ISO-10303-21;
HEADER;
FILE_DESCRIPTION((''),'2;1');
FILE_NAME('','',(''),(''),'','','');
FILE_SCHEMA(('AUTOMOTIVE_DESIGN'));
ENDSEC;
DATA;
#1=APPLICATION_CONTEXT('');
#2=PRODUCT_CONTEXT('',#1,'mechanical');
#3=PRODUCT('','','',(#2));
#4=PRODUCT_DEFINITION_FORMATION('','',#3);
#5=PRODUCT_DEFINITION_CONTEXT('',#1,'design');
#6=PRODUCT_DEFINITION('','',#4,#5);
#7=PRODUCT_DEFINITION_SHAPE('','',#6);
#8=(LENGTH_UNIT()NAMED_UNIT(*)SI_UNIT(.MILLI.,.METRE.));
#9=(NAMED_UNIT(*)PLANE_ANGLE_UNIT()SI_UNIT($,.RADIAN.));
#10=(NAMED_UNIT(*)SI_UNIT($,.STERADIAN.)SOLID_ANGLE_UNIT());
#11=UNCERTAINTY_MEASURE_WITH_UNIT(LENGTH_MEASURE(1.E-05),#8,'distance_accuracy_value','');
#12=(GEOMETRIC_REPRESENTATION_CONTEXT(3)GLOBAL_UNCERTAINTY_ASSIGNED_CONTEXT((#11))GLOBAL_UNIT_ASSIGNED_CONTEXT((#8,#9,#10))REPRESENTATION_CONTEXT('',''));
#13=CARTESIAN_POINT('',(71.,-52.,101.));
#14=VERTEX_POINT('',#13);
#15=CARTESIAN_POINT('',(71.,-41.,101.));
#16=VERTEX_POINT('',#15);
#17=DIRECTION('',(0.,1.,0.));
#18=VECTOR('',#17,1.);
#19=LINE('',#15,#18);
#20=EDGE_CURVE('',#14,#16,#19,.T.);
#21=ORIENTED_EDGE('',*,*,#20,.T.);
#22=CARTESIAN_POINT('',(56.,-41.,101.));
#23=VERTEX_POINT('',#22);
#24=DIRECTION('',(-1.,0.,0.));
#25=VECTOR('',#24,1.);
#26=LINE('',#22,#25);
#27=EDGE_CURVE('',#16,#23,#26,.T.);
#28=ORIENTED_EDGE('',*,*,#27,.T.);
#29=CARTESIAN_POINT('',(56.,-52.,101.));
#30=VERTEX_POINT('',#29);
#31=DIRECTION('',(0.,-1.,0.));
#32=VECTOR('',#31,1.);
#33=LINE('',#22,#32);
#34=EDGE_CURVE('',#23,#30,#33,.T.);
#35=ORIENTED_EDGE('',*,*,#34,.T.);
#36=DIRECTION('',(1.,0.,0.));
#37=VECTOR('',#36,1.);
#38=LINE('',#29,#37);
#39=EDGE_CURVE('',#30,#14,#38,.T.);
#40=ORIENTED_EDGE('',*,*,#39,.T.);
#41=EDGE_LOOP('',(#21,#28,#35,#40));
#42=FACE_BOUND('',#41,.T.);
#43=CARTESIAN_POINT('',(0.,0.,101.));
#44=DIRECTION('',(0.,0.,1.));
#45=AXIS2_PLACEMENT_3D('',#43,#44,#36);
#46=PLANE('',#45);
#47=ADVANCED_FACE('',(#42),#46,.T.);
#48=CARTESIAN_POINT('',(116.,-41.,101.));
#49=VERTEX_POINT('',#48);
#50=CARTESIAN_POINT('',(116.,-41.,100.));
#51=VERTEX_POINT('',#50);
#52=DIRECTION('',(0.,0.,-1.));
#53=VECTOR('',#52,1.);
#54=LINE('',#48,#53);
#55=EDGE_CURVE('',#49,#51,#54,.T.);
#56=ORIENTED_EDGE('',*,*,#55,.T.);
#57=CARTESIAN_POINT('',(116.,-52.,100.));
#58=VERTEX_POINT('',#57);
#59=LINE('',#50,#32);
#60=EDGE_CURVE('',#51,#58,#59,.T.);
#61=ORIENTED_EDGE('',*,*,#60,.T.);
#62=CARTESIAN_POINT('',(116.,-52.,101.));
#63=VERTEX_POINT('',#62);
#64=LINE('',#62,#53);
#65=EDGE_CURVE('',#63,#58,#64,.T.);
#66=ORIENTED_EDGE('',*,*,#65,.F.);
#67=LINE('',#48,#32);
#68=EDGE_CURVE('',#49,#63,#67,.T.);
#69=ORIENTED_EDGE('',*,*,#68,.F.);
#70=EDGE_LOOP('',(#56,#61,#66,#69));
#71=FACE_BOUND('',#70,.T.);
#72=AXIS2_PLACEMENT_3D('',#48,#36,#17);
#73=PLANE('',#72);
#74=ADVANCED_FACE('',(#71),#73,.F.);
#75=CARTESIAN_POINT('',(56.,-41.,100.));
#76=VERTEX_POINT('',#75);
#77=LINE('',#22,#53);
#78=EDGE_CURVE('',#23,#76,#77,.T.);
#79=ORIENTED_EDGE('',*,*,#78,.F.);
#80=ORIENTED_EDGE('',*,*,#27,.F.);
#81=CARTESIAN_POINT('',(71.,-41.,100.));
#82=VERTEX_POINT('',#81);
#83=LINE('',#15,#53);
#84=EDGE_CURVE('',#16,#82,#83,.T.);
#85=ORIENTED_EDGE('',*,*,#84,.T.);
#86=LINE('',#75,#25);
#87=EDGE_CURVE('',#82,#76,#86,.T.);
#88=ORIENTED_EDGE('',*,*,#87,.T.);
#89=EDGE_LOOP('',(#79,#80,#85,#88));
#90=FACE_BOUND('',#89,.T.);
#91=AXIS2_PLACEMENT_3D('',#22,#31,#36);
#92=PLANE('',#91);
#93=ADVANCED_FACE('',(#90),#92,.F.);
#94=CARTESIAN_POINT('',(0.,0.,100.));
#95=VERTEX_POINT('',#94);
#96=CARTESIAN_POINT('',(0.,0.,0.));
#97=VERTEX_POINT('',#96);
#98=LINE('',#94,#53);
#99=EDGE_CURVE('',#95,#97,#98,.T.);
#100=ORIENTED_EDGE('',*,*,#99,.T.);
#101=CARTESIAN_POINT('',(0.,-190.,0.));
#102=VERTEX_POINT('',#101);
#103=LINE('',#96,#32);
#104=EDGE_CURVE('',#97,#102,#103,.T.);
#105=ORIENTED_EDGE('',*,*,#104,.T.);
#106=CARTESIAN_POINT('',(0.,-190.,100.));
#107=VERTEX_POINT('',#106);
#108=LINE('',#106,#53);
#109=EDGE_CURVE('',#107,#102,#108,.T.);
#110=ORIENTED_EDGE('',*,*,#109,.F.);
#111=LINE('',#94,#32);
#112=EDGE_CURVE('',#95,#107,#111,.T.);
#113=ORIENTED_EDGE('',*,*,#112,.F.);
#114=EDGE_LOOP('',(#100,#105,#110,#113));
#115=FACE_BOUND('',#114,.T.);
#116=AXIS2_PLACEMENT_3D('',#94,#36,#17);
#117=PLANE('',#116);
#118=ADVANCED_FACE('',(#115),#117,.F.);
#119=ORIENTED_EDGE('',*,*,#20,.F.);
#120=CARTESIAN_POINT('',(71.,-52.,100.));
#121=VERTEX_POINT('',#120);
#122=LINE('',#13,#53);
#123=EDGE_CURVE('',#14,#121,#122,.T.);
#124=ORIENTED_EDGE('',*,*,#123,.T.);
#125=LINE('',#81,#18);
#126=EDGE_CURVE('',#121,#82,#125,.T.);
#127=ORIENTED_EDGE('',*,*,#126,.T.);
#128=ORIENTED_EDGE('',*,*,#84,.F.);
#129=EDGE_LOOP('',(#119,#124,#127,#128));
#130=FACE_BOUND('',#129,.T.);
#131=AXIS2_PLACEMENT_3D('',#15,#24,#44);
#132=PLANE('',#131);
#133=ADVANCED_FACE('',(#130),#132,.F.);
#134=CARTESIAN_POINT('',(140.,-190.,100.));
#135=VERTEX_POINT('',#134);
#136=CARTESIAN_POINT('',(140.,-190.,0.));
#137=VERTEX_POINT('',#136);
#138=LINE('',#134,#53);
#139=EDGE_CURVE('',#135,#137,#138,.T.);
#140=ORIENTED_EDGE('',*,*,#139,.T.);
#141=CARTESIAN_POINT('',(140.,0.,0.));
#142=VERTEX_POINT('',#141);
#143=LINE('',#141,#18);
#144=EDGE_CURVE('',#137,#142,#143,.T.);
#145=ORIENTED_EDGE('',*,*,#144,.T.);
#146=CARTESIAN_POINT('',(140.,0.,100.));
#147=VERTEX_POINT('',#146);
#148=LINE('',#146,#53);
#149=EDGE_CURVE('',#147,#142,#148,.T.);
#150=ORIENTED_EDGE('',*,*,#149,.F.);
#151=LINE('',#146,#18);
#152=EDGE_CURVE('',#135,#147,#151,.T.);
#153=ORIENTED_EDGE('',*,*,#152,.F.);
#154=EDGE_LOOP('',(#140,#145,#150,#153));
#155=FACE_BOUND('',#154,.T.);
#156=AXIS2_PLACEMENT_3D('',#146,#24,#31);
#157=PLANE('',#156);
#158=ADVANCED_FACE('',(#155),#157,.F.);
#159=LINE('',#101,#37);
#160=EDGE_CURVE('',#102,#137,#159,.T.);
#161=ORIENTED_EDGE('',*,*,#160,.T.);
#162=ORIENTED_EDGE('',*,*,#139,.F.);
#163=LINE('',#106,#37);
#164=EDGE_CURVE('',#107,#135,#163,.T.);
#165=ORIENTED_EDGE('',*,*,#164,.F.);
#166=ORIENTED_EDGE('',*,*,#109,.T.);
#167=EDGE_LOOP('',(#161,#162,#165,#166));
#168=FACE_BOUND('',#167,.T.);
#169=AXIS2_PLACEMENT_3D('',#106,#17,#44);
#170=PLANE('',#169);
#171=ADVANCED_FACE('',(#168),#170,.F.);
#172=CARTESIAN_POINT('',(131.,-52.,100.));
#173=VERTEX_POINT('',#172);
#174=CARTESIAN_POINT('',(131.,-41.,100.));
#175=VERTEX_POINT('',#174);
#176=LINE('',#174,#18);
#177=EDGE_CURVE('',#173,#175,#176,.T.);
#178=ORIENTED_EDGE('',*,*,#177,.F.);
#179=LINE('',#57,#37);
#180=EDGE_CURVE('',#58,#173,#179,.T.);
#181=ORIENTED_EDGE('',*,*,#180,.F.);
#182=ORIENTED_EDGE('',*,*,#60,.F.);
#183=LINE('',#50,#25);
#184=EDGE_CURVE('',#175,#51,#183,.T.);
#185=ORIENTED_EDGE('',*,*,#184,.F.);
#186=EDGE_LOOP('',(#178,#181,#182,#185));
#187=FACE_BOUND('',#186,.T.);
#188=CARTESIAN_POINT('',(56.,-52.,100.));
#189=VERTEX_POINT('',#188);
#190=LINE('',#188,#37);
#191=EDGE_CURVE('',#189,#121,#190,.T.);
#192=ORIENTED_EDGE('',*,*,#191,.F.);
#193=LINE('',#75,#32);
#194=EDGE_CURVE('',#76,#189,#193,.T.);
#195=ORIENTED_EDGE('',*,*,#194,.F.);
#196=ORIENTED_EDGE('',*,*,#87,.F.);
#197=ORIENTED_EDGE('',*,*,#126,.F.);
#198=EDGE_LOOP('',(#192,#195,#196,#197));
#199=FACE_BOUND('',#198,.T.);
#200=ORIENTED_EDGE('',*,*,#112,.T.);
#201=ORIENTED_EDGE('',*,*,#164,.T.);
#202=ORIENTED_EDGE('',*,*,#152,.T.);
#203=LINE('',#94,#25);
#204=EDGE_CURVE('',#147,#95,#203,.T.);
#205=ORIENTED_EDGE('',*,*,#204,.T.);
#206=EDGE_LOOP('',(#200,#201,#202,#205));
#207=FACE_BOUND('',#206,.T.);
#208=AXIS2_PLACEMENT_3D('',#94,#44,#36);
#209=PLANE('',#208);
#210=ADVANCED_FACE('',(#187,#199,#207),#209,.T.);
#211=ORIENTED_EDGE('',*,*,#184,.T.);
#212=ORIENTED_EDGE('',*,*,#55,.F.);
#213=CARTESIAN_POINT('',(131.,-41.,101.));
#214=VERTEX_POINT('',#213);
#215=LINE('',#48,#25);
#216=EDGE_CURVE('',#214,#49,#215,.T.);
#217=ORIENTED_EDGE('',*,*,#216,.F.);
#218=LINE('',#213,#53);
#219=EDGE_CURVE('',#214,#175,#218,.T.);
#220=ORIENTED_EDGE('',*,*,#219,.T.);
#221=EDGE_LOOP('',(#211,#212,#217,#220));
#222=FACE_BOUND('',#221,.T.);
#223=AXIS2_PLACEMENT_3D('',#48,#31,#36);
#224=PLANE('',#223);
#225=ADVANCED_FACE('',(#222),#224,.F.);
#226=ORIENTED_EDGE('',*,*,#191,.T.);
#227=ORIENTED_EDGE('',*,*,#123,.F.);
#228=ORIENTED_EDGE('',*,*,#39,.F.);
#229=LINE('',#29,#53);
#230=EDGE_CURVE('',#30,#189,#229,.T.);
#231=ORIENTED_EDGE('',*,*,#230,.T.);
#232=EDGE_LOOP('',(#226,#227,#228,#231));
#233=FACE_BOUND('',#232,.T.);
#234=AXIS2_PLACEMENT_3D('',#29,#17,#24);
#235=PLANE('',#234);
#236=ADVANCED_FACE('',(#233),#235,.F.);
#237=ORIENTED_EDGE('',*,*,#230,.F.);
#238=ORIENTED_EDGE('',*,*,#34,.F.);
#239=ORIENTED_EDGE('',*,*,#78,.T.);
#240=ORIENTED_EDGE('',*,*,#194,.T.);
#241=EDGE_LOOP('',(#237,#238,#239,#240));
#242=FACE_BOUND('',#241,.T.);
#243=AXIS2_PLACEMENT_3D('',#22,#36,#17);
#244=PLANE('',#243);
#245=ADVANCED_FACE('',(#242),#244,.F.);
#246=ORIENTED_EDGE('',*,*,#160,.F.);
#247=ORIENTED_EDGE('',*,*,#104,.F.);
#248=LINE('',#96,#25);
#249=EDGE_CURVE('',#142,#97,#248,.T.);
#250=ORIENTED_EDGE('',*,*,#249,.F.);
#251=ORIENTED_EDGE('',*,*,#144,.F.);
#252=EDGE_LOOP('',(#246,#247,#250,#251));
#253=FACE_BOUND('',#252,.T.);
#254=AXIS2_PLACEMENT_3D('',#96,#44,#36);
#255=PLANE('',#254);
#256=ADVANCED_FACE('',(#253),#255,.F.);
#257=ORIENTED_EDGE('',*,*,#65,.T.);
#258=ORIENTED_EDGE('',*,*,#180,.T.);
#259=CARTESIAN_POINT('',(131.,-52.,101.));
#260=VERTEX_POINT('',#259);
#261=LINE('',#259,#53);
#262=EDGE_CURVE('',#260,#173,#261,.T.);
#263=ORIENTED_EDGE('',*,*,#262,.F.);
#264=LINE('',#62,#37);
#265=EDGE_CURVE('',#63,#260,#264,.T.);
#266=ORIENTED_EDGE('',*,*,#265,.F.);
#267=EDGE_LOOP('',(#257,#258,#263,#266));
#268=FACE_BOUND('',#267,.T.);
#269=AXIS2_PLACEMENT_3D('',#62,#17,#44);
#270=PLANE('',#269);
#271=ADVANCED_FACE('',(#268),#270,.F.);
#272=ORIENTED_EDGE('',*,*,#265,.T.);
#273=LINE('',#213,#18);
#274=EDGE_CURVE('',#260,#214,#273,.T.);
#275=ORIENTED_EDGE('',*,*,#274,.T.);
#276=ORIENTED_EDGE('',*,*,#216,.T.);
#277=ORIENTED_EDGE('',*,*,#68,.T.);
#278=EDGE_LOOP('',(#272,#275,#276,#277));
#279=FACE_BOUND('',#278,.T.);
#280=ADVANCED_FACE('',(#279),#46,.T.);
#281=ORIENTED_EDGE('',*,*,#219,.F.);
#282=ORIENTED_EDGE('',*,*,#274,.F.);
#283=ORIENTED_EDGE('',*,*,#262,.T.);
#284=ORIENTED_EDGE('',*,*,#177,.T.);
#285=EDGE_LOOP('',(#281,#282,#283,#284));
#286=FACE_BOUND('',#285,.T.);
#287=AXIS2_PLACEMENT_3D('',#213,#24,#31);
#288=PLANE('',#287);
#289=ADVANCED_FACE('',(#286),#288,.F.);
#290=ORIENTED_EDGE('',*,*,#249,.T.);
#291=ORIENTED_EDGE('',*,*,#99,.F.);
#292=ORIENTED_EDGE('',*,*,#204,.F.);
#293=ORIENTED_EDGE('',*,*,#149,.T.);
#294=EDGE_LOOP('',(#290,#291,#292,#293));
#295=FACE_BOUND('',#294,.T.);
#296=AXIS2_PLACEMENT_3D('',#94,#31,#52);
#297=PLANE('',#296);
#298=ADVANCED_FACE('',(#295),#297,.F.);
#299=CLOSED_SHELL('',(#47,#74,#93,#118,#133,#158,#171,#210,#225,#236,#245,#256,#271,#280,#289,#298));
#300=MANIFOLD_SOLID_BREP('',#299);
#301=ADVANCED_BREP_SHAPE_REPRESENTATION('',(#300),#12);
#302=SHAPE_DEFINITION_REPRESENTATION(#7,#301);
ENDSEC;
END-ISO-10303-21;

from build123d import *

# Parameters (mm, degrees)
SKETCH1_W           = 140
SKETCH1_H           = 190
BOSS_EXTRUDE1_DEPTH = 100
SKETCH2_W           = 15
SKETCH2_H           = 11
BOSS_EXTRUDE2_DEPTH = 1


with BuildPart() as part:
    # Sketch1 → Boss-Extrude1 (new body)
    with BuildSketch(Plane.XY):
        with Locations((70, -95)):
            Rectangle(SKETCH1_W, SKETCH1_H)
    extrude(amount=BOSS_EXTRUDE1_DEPTH)

    # Sketch2 → Boss-Extrude2 (add)
    with BuildSketch(Plane.XY.offset(100)):
        with Locations((123.5, -46.5)):
            Rectangle(SKETCH2_W, SKETCH2_H)
        with Locations((63.5, -46.5)):
            Rectangle(SKETCH2_W, SKETCH2_H)
    extrude(amount=BOSS_EXTRUDE2_DEPTH)


solid = part.part
